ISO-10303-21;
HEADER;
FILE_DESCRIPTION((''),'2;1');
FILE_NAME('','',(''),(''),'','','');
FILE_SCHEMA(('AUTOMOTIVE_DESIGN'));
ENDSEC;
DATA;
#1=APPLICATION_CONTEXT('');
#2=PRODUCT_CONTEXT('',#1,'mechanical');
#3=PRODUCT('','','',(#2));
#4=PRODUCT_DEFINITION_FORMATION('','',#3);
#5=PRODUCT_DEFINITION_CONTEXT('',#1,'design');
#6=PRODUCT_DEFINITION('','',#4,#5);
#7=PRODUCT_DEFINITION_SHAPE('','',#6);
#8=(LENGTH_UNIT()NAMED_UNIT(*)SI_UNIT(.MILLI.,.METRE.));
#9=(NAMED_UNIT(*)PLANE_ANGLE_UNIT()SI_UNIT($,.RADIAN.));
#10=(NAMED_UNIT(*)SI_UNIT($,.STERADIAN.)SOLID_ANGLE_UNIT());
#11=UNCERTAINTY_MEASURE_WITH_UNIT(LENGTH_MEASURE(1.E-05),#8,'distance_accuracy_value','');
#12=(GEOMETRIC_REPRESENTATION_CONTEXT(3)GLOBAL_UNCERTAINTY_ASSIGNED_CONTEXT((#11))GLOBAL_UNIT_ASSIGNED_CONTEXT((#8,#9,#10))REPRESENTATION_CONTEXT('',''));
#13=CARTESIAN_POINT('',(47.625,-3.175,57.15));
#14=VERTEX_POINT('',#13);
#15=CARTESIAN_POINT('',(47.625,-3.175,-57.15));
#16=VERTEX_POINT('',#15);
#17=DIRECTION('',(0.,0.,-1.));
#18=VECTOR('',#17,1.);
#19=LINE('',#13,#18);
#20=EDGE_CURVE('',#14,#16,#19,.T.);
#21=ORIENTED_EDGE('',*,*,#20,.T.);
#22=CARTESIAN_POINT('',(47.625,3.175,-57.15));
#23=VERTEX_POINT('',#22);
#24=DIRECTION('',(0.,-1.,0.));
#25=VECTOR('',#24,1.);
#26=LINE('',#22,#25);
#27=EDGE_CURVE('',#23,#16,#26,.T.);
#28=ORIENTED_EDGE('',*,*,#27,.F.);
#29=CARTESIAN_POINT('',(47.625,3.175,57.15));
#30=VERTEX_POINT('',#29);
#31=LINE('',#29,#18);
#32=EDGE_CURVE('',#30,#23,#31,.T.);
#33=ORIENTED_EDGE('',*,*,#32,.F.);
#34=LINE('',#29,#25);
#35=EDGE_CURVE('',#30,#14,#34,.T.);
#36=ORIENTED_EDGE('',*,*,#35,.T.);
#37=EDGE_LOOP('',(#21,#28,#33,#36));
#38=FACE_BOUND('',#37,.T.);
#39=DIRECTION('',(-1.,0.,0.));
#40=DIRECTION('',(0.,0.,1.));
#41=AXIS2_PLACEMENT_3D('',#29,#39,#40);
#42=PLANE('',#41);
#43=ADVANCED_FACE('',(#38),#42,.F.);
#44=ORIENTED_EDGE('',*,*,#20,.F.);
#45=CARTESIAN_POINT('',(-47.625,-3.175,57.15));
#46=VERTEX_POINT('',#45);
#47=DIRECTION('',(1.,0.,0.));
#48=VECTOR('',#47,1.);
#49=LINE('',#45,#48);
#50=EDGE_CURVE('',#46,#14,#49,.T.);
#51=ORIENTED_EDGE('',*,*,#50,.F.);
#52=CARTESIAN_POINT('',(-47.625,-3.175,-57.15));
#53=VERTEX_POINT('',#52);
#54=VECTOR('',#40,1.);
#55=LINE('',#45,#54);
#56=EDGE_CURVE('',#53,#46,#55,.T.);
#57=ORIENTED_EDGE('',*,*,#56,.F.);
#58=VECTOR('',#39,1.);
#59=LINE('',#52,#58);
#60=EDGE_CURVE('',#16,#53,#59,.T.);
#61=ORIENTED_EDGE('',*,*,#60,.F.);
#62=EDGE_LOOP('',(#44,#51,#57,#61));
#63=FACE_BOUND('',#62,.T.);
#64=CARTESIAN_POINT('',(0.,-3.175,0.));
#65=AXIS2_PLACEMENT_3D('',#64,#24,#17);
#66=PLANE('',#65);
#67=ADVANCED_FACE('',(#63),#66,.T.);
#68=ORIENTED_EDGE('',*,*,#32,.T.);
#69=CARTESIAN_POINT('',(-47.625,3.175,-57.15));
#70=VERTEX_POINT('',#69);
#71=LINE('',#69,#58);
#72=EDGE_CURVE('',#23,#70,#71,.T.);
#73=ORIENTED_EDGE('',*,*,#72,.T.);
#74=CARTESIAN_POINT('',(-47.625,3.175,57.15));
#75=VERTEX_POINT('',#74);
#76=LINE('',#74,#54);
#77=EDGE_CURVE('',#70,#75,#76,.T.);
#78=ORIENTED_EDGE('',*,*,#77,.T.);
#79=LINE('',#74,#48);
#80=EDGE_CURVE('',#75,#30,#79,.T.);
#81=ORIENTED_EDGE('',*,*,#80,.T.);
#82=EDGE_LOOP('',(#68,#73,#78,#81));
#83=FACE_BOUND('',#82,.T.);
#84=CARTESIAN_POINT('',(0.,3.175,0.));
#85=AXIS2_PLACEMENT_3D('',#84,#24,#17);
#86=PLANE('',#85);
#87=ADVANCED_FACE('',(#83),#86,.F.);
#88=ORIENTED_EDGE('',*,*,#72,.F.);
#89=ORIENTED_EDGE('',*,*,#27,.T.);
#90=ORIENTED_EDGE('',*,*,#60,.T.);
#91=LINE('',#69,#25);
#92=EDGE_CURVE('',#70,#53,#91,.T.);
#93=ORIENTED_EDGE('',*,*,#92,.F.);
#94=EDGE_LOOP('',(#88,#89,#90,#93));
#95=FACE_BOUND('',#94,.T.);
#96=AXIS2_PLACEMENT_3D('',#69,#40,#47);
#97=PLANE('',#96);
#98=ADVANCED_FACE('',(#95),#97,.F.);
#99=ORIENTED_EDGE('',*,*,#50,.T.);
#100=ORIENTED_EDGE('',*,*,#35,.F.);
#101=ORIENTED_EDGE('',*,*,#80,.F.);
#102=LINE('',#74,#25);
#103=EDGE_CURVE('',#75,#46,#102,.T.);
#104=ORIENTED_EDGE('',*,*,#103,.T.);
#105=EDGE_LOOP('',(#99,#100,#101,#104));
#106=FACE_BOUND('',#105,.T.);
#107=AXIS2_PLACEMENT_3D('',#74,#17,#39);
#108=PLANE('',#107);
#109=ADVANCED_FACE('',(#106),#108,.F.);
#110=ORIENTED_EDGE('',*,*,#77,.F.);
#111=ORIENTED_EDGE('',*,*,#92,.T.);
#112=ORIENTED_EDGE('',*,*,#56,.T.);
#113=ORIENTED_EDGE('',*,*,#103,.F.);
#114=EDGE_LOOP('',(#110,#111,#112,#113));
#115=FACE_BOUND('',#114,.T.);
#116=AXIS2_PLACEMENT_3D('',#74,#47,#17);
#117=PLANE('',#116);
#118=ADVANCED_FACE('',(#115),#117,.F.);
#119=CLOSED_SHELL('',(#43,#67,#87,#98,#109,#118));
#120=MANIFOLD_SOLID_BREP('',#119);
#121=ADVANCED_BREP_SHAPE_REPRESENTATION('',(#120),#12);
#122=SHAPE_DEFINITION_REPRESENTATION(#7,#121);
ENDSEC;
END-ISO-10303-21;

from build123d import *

# Parameters (mm, degrees)
SKETCH1_W           = 95.25
SKETCH1_H           = 114.3
BOSS_EXTRUDE1_DEPTH = 3.175


with BuildPart() as part:
    # Sketch1 → Boss-Extrude1 (new, symmetric)
    with BuildSketch(Plane(origin=(0, 0, 0), x_dir=(1, 0, 0), z_dir=(0, 1, 0))):
        Rectangle(SKETCH1_W, SKETCH1_H)
    extrude(amount=BOSS_EXTRUDE1_DEPTH, both=True)


solid = part.part
